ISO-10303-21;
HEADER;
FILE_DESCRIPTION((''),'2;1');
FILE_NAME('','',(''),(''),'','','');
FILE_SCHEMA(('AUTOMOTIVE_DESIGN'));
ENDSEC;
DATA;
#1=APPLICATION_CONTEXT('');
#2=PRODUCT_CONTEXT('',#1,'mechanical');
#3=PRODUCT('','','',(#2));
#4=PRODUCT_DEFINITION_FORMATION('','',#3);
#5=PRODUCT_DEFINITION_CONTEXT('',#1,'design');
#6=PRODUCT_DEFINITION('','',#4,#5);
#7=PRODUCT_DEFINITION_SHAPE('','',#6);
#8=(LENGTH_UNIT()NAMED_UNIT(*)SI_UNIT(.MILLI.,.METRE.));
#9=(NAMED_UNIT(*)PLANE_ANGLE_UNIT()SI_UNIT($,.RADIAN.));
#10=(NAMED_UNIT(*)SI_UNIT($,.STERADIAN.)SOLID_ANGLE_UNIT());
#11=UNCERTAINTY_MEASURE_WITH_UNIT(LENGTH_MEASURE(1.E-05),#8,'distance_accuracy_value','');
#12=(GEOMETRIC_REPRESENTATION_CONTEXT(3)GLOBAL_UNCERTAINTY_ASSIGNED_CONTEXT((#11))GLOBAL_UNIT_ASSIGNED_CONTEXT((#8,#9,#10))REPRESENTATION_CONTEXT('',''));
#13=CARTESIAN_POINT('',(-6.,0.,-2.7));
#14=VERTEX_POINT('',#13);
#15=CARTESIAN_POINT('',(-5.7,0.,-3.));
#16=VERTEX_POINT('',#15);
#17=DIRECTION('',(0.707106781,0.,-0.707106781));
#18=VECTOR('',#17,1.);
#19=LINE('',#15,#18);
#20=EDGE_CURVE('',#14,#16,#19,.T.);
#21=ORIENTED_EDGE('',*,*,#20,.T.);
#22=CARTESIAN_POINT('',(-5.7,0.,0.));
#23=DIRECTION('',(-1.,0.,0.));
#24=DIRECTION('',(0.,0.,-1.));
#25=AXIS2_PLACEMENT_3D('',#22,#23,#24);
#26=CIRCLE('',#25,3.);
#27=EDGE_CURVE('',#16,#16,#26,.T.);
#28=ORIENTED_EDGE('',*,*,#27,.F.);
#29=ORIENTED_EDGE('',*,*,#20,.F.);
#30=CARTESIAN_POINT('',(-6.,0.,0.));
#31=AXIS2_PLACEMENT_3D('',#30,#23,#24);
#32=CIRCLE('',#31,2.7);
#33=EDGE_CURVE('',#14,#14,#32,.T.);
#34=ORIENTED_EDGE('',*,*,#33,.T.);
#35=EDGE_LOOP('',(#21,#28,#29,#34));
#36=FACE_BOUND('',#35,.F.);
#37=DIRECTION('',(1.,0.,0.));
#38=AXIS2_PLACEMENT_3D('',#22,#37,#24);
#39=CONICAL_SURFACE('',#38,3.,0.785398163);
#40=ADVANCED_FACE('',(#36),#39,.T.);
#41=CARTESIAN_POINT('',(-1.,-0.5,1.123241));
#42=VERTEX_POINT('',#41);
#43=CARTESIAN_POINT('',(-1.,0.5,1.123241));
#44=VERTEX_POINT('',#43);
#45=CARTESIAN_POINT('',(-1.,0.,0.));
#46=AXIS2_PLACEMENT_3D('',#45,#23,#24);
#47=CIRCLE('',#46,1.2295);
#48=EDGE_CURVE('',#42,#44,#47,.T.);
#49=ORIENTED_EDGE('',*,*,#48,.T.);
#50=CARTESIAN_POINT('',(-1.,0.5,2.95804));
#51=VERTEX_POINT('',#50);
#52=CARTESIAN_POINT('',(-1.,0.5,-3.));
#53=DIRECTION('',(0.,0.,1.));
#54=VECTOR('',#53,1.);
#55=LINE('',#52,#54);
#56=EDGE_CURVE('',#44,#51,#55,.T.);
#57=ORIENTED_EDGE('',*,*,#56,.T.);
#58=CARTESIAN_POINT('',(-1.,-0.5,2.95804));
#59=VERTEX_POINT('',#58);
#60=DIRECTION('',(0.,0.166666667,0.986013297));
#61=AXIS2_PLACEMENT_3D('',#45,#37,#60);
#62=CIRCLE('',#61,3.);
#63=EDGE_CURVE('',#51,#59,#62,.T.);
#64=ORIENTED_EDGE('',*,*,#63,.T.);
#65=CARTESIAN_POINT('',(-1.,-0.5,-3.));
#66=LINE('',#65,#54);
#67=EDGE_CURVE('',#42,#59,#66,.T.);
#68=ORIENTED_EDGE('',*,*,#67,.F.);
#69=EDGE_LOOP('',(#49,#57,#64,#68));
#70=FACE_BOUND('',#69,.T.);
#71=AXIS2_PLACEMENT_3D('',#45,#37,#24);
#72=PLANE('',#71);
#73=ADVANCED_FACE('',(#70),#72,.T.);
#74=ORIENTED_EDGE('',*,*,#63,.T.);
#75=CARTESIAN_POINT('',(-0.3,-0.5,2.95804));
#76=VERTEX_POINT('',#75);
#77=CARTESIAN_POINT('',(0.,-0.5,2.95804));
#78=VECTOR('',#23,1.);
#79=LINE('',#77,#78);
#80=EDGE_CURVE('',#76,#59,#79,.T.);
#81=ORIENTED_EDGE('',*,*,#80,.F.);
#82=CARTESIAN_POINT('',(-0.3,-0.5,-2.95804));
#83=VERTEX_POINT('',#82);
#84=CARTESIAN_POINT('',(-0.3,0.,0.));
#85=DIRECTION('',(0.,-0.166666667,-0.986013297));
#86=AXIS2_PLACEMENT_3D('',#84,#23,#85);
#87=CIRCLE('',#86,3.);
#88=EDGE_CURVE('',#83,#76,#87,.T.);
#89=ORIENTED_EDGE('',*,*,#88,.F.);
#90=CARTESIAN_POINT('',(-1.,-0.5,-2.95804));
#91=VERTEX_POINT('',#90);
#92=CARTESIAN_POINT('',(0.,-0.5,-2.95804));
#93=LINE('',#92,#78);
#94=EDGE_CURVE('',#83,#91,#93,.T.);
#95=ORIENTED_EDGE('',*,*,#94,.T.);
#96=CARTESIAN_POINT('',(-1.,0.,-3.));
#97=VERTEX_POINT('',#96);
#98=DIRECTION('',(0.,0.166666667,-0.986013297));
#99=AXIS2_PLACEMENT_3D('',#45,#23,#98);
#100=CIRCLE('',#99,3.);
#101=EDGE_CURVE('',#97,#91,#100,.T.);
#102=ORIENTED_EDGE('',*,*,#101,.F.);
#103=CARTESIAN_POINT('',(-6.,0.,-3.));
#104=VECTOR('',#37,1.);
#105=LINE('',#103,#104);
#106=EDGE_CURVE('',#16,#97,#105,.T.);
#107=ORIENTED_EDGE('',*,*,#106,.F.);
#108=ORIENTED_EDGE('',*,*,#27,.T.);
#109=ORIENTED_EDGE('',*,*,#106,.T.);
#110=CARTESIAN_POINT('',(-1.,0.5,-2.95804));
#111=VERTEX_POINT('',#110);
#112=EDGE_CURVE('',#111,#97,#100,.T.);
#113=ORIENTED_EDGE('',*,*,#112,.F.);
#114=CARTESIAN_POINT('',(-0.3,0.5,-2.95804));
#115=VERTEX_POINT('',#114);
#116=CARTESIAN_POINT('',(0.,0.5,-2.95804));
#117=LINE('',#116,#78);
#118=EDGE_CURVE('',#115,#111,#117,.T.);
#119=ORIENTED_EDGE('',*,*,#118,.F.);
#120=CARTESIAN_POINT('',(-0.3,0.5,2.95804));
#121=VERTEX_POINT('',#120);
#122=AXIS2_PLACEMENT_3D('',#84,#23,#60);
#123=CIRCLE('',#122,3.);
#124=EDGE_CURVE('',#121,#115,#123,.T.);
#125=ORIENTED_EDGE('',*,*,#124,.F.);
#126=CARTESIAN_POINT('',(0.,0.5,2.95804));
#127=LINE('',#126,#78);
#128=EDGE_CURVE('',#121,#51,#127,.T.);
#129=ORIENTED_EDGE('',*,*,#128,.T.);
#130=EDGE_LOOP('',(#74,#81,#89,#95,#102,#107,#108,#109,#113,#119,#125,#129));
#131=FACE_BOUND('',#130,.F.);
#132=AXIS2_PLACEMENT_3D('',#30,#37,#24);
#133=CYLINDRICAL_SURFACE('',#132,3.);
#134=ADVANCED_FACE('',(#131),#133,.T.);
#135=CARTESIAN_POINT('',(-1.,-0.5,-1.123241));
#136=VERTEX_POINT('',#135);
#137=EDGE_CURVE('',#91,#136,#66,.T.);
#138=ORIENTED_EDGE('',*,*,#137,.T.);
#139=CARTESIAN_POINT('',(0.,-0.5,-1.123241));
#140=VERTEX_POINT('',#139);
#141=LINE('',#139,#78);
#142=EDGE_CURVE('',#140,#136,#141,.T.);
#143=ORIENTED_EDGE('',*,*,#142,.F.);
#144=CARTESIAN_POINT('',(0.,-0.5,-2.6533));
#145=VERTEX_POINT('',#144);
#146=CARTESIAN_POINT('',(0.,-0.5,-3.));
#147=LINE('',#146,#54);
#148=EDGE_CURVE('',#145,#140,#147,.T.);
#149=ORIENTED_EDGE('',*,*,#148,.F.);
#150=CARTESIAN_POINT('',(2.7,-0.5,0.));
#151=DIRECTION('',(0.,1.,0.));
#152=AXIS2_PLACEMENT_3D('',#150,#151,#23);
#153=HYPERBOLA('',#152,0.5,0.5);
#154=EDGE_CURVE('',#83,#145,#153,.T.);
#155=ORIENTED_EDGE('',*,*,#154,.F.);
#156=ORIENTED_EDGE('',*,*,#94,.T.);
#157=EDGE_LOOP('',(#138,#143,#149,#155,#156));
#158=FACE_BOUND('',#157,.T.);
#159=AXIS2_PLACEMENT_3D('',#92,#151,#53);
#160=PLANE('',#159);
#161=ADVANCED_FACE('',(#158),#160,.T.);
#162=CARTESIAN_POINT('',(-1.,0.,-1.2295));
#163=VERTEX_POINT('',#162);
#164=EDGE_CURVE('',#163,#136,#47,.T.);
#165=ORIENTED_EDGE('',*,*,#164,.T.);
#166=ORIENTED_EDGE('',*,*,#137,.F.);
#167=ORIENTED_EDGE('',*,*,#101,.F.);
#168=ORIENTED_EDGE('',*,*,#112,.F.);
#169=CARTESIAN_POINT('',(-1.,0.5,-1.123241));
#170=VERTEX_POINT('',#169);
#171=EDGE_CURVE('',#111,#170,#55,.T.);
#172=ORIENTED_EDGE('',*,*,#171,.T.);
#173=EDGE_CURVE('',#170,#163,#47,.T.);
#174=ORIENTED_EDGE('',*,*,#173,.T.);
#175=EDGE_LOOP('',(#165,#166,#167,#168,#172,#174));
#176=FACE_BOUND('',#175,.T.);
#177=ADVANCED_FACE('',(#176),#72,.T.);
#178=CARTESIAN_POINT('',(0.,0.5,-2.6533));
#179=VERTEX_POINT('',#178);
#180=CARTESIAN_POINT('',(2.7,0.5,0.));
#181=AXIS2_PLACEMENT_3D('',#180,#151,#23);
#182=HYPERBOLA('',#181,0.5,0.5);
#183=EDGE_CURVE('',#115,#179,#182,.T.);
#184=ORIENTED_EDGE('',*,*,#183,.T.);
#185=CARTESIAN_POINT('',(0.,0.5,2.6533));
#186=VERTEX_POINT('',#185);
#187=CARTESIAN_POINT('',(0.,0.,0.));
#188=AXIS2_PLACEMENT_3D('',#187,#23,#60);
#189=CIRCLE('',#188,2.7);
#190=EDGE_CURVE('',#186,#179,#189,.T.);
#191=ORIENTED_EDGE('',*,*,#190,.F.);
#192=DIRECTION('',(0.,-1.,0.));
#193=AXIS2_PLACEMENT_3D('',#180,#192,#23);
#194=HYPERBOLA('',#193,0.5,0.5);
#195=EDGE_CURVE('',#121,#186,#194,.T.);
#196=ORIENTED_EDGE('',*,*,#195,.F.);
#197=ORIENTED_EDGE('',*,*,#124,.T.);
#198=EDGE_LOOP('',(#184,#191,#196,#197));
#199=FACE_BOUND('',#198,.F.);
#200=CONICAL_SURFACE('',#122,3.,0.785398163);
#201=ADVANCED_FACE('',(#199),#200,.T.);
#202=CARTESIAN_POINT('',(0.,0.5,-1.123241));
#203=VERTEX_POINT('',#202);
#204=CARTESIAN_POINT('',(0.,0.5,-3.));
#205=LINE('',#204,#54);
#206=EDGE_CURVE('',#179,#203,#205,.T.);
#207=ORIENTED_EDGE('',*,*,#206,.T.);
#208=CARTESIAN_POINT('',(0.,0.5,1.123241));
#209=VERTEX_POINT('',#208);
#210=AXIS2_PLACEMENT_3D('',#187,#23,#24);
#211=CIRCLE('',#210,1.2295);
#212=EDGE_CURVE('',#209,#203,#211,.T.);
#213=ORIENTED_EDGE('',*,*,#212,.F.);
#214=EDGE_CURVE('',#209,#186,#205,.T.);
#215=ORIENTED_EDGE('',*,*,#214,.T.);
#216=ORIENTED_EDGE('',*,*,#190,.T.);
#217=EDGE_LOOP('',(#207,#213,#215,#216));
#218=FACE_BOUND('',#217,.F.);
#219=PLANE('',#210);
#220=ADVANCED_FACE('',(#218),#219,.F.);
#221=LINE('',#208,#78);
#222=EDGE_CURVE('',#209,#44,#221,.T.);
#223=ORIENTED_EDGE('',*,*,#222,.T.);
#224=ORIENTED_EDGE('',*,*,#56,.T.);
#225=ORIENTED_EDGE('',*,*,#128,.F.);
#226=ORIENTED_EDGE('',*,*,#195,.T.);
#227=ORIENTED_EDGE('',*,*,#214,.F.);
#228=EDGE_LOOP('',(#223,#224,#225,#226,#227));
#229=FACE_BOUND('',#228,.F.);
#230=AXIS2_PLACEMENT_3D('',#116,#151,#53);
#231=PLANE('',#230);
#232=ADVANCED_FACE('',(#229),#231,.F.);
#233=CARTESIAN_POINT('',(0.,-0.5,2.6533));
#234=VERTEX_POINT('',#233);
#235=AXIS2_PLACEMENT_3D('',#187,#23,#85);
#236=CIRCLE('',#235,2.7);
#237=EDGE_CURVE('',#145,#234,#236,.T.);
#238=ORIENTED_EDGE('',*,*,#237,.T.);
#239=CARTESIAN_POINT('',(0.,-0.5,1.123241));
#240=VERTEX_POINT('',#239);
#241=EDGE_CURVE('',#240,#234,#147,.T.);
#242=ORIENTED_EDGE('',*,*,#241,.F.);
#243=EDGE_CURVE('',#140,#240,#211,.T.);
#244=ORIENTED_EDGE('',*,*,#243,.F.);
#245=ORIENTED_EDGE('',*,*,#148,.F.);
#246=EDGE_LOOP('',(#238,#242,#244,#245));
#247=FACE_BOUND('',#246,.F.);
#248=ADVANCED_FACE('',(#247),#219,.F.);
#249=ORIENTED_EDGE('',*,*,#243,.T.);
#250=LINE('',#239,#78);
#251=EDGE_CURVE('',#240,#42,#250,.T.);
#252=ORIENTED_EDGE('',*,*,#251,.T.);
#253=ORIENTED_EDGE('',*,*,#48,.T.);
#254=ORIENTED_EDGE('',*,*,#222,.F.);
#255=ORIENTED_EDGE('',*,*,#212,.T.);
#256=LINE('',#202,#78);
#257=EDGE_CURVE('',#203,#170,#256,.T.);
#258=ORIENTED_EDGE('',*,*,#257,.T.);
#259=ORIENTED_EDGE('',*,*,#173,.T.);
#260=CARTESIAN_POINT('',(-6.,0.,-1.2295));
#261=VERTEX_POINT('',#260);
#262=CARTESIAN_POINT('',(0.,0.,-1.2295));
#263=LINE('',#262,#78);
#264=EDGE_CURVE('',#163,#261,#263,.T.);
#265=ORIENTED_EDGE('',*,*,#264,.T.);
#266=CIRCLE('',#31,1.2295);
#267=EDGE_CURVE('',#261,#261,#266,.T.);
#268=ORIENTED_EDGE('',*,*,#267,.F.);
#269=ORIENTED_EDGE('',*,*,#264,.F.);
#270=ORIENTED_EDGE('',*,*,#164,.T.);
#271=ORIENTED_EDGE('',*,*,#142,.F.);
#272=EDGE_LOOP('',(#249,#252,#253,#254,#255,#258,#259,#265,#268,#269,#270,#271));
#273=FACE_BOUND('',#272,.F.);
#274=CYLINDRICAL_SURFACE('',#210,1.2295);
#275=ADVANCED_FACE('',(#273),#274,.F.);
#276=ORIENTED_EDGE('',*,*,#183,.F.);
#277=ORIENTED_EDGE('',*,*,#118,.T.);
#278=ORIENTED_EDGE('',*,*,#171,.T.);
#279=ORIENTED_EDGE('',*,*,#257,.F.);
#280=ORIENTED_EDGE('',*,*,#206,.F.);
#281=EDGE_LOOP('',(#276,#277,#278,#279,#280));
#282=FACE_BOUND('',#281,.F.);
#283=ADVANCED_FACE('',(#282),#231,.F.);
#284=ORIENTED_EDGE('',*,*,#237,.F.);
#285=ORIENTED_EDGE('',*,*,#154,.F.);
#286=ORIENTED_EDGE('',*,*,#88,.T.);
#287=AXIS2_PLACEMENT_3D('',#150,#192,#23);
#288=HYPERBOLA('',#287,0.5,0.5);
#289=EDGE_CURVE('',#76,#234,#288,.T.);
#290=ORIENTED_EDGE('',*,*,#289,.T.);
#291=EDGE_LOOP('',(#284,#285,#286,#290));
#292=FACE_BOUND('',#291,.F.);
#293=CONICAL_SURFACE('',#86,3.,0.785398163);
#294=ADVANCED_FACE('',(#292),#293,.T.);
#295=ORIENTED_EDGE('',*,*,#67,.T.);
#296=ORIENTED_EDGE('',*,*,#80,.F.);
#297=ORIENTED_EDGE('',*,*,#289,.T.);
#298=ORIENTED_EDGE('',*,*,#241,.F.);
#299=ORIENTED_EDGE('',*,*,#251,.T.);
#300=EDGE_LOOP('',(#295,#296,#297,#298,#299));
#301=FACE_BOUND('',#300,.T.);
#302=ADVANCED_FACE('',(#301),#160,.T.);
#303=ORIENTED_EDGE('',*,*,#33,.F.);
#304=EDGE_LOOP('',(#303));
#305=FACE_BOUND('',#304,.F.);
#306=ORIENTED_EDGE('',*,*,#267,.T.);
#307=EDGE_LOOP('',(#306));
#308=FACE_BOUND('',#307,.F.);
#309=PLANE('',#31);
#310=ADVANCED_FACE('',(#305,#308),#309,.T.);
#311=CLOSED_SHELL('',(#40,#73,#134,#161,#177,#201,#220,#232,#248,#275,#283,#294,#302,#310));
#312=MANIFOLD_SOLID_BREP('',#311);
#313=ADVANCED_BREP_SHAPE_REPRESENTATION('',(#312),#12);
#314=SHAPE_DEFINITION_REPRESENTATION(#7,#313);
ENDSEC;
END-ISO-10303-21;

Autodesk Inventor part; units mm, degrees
ref_plane "YZ Plane" through (0, 0, 0) normal (1, 0, 0) x (0, 1, 0)
ref_plane "XZ Plane" through (0, 0, 0) normal (0, 1, 0) x (-1, 0, 0)
ref_plane "XY Plane" through (0, 0, 0) normal (0, 0, 1) x (1, 0, 0)
sketch "スケッチ1" plane through (0, 0, 0) normal (0, 1, 0) x (-1, 0, 0)
  line L0 (0, 0) -> (6, 0)
  line L1 (6, 0) -> (6, -3)
  line L2 (6, -3) -> (0, -3)
  line L3 (0, -3) -> (0, 0)
  dimension "d0" = 6
  dimension "d1" = 3
revolve "回転1" add sketch "スケッチ1" angle 360 about axis through (0, 0, 0) along (-1, 0, 0)
sketch "スケッチ2" plane through (0, 0, 0) normal (1, 0, 0) x (0, 0, -1)
  point P0 (0, 0)
  point P1 (0, 0)
hole "穴1" at (0, 0, 0) direction (-1, 0, 0) diameter 2.459 end through all thread size "M3x0.5" class "6H" standard "ANSI Metric M Profile"
sketch "スケッチ3" plane through (0, 0, 0) normal (1, 0, 0) x (0, 0, -1)
  circle A0 centre (0, 0) radius 3 projected
  line L0 (3, 0) -> (-3, 0)
  line L1 (3, -0.5) -> (-3, -0.5)
  line L2 (3, 0.5) -> (-3, 0.5)
  line L3 (3, 0.5) -> (3, -0.5)
  line L4 (-3, 0.5) -> (-3, -0.5)
  point P0 (-2.958, -0.5)
  point P1 (2.958, -0.5)
  point P2 (2.958, 0.5)
  point P3 (-2.958, 0.5)
  dimension "d10" = 0.5
extrude "押し出し1" cut sketch "スケッチ3" against normal blind 1 contours L0 A0 L2 | A0 L1 L0
chamfer "面取り1" distance 0.3 angle 45 3 edges at (-6, 0, 3) (0, 3, 0) (0, -3, 0)
properties part number "ARU-306S" material "ステンレス鋼 AISI 304"
